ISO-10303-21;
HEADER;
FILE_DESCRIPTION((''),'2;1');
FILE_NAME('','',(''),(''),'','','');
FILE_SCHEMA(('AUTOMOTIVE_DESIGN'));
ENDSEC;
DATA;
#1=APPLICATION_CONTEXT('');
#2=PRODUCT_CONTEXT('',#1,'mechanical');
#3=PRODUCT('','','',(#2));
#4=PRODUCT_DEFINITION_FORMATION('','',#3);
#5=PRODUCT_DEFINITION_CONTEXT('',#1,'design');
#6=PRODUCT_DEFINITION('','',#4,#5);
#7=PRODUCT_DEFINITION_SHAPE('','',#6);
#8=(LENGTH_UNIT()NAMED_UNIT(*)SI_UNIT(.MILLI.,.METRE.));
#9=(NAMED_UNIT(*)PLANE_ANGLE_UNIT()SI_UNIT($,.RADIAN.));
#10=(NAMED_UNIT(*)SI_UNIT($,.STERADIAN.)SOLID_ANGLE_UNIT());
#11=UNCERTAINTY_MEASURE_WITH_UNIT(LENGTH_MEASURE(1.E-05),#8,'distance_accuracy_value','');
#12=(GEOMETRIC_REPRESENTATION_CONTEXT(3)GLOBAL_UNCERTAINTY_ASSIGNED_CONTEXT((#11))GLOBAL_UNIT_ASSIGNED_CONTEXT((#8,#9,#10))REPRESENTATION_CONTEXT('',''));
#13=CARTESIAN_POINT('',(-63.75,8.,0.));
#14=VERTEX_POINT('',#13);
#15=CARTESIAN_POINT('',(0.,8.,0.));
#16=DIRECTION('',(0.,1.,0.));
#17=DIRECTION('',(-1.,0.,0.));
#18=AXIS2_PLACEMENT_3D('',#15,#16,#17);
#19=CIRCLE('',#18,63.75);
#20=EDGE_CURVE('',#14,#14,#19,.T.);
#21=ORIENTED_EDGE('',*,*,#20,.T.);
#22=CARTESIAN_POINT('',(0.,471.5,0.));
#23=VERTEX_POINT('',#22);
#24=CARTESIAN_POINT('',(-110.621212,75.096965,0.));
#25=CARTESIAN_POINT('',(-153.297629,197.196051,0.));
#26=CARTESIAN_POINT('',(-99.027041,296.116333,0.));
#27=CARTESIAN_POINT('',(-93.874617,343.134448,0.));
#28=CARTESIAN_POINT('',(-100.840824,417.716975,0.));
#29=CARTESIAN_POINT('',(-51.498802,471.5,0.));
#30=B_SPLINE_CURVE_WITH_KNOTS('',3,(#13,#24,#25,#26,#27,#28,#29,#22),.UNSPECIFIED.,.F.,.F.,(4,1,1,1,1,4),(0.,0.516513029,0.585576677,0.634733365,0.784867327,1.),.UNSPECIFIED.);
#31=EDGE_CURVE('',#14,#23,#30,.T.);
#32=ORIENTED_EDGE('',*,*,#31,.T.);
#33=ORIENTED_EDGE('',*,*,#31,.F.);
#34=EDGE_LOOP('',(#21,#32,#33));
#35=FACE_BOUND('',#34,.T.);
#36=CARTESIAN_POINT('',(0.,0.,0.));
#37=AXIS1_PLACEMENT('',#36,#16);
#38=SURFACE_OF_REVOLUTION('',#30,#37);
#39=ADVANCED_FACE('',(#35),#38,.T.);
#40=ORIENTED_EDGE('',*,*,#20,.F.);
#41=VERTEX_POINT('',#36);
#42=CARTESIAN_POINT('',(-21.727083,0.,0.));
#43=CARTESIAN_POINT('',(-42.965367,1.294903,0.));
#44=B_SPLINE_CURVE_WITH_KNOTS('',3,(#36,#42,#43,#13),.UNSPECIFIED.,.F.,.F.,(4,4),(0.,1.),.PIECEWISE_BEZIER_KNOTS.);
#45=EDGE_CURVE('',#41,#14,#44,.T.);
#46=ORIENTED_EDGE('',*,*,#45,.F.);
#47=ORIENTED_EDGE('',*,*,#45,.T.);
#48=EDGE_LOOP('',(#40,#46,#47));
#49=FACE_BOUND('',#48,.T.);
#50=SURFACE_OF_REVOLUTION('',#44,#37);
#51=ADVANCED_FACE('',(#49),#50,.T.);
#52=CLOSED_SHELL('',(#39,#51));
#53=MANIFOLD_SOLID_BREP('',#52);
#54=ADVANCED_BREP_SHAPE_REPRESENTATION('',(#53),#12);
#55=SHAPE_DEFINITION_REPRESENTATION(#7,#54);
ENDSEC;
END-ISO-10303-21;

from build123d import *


with BuildPart() as part:
    # Esquisse1 → Révolution1 (revolve)
    with BuildSketch(Plane.XY):
        with BuildLine():
            Line((0, 0), (0, 471.5))
            add(Edge.make_bspline(
                [(-63.75, 8), (-110.621211702, 75.096965294), (-153.297628549, 197.196051015), (-99.027040788, 296.116333146), (-93.874616807, 343.134447618), (-100.840823599, 417.716975457), (-51.498801835, 471.5), (0, 471.5)],
                knots=[0, 0, 0, 0, 0.516513029, 0.585576677, 0.634733365, 0.784867327, 1, 1, 1, 1], degree=3))
            add(Edge.make_bspline(
                [(0, 0), (-21.727082726, 0), (-42.965367291, 1.294902553), (-63.75, 8)],
                knots=[0, 0, 0, 0, 1, 1, 1, 1], degree=3))
        make_face()
    revolve(axis=Axis((0, 0, 0), (0, 1, 0)))


solid = part.part
